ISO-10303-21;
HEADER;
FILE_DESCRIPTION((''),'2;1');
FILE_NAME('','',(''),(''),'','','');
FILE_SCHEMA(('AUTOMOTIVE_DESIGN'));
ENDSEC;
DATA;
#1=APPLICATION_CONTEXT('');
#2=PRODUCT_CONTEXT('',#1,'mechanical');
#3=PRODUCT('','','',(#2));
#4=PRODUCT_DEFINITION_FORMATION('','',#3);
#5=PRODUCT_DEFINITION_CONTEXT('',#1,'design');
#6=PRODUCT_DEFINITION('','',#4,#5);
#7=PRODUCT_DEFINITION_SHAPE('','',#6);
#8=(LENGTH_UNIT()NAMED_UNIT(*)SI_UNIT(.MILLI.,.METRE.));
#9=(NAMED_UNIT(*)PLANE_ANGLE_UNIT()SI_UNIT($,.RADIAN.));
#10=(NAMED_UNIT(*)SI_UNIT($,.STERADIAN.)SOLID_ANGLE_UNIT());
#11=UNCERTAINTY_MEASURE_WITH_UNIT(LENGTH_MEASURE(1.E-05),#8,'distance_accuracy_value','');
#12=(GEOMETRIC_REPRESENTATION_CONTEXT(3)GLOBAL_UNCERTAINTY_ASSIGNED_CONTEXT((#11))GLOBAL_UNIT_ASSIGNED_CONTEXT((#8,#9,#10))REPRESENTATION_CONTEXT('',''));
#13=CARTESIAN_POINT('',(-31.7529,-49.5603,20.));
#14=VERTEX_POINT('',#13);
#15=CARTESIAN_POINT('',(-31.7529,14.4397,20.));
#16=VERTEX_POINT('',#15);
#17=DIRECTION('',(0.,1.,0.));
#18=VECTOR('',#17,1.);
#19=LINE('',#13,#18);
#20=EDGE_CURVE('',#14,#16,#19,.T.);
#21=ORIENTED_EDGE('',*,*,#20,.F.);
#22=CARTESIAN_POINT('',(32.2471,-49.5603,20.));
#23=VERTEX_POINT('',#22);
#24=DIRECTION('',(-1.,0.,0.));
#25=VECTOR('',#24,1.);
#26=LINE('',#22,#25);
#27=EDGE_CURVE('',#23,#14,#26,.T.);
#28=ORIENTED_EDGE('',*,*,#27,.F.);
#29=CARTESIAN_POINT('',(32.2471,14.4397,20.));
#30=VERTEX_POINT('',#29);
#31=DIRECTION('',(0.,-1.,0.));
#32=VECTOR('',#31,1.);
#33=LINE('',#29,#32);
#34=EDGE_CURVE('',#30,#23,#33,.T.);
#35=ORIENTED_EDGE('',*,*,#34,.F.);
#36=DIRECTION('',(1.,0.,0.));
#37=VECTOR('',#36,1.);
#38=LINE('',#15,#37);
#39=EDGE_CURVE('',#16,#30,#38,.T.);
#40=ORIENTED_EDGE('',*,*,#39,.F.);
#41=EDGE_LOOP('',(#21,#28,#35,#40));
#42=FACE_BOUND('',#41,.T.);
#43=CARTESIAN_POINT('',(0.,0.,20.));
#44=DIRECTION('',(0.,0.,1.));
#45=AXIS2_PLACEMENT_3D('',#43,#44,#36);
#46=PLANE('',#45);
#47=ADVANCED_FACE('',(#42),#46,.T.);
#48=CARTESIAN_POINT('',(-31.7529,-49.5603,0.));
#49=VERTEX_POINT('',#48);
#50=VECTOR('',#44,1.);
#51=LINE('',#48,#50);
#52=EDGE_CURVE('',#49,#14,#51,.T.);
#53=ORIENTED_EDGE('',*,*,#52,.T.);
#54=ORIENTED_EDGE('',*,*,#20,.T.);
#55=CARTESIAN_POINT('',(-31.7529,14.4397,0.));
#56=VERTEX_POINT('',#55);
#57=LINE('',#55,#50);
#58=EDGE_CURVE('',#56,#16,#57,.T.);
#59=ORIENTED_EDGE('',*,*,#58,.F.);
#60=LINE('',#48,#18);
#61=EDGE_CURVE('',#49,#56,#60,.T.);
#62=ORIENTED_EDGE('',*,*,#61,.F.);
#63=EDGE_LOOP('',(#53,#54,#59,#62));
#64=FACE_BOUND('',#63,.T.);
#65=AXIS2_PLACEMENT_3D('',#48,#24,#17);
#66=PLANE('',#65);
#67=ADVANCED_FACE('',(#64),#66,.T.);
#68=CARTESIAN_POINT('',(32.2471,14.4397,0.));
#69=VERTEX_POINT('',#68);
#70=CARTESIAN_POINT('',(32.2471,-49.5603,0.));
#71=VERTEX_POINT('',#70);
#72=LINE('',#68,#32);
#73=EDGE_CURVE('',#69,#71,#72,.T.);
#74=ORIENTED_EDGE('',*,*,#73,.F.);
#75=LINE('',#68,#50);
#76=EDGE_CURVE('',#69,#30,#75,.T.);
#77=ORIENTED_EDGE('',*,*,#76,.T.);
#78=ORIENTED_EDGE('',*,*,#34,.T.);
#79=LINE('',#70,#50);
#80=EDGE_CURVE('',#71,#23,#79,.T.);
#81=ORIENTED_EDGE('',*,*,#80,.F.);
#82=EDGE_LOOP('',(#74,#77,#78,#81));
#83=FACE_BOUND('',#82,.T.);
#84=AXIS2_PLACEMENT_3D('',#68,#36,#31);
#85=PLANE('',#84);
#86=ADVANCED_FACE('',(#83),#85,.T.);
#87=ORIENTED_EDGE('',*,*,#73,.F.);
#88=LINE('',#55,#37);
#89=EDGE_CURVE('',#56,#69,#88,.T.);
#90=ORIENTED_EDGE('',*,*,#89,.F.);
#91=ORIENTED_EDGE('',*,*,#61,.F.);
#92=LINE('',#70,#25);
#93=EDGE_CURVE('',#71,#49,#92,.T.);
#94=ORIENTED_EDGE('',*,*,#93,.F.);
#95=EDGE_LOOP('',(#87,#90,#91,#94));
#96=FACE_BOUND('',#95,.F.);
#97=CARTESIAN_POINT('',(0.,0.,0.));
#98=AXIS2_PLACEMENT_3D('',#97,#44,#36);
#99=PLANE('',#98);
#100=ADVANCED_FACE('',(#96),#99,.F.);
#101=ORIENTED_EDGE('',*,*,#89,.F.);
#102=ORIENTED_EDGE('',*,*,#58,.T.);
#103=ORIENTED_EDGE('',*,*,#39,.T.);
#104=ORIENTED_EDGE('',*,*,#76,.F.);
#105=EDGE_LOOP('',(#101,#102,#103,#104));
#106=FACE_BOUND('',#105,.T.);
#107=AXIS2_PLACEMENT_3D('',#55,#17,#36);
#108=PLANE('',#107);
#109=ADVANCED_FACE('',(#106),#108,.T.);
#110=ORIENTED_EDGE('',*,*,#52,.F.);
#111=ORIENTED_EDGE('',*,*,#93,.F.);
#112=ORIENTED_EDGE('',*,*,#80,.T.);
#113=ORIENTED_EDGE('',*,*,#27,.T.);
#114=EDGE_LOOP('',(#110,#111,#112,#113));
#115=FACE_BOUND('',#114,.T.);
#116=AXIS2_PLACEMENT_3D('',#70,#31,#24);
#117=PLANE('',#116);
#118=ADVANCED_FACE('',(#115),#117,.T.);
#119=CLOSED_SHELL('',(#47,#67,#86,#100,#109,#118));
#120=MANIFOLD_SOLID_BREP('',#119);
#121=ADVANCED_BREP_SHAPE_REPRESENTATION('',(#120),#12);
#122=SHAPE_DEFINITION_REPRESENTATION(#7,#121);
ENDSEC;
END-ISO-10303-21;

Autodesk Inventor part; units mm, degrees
ref_plane "YZ Plane" through (0, 0, 0) normal (1, 0, 0) x (0, 1, 0)
ref_plane "XZ Plane" through (0, 0, 0) normal (0, 1, 0) x (-1, 0, 0)
ref_plane "XY Plane" through (0, 0, 0) normal (0, 0, 1) x (1, 0, 0)
sketch "スケッチ1" plane through (0, 0, 0) normal (0, 0, 1) x (1, 0, 0)
  line L0 (-31.7529, 14.4397) -> (32.2471, 14.4397)
  line L1 (32.2471, 14.4397) -> (32.2471, -49.5603)
  line L2 (32.2471, -49.5603) -> (-31.7529, -49.5603)
  line L3 (-31.7529, -49.5603) -> (-31.7529, 14.4397)
  point P0 (0, 0)
  dimension "d0" = 64
  dimension "d2" = 64
extrude "押し出し1" add sketch "スケッチ1" along normal blind 20
properties part number "おもり2" material "ステンレス鋼"
